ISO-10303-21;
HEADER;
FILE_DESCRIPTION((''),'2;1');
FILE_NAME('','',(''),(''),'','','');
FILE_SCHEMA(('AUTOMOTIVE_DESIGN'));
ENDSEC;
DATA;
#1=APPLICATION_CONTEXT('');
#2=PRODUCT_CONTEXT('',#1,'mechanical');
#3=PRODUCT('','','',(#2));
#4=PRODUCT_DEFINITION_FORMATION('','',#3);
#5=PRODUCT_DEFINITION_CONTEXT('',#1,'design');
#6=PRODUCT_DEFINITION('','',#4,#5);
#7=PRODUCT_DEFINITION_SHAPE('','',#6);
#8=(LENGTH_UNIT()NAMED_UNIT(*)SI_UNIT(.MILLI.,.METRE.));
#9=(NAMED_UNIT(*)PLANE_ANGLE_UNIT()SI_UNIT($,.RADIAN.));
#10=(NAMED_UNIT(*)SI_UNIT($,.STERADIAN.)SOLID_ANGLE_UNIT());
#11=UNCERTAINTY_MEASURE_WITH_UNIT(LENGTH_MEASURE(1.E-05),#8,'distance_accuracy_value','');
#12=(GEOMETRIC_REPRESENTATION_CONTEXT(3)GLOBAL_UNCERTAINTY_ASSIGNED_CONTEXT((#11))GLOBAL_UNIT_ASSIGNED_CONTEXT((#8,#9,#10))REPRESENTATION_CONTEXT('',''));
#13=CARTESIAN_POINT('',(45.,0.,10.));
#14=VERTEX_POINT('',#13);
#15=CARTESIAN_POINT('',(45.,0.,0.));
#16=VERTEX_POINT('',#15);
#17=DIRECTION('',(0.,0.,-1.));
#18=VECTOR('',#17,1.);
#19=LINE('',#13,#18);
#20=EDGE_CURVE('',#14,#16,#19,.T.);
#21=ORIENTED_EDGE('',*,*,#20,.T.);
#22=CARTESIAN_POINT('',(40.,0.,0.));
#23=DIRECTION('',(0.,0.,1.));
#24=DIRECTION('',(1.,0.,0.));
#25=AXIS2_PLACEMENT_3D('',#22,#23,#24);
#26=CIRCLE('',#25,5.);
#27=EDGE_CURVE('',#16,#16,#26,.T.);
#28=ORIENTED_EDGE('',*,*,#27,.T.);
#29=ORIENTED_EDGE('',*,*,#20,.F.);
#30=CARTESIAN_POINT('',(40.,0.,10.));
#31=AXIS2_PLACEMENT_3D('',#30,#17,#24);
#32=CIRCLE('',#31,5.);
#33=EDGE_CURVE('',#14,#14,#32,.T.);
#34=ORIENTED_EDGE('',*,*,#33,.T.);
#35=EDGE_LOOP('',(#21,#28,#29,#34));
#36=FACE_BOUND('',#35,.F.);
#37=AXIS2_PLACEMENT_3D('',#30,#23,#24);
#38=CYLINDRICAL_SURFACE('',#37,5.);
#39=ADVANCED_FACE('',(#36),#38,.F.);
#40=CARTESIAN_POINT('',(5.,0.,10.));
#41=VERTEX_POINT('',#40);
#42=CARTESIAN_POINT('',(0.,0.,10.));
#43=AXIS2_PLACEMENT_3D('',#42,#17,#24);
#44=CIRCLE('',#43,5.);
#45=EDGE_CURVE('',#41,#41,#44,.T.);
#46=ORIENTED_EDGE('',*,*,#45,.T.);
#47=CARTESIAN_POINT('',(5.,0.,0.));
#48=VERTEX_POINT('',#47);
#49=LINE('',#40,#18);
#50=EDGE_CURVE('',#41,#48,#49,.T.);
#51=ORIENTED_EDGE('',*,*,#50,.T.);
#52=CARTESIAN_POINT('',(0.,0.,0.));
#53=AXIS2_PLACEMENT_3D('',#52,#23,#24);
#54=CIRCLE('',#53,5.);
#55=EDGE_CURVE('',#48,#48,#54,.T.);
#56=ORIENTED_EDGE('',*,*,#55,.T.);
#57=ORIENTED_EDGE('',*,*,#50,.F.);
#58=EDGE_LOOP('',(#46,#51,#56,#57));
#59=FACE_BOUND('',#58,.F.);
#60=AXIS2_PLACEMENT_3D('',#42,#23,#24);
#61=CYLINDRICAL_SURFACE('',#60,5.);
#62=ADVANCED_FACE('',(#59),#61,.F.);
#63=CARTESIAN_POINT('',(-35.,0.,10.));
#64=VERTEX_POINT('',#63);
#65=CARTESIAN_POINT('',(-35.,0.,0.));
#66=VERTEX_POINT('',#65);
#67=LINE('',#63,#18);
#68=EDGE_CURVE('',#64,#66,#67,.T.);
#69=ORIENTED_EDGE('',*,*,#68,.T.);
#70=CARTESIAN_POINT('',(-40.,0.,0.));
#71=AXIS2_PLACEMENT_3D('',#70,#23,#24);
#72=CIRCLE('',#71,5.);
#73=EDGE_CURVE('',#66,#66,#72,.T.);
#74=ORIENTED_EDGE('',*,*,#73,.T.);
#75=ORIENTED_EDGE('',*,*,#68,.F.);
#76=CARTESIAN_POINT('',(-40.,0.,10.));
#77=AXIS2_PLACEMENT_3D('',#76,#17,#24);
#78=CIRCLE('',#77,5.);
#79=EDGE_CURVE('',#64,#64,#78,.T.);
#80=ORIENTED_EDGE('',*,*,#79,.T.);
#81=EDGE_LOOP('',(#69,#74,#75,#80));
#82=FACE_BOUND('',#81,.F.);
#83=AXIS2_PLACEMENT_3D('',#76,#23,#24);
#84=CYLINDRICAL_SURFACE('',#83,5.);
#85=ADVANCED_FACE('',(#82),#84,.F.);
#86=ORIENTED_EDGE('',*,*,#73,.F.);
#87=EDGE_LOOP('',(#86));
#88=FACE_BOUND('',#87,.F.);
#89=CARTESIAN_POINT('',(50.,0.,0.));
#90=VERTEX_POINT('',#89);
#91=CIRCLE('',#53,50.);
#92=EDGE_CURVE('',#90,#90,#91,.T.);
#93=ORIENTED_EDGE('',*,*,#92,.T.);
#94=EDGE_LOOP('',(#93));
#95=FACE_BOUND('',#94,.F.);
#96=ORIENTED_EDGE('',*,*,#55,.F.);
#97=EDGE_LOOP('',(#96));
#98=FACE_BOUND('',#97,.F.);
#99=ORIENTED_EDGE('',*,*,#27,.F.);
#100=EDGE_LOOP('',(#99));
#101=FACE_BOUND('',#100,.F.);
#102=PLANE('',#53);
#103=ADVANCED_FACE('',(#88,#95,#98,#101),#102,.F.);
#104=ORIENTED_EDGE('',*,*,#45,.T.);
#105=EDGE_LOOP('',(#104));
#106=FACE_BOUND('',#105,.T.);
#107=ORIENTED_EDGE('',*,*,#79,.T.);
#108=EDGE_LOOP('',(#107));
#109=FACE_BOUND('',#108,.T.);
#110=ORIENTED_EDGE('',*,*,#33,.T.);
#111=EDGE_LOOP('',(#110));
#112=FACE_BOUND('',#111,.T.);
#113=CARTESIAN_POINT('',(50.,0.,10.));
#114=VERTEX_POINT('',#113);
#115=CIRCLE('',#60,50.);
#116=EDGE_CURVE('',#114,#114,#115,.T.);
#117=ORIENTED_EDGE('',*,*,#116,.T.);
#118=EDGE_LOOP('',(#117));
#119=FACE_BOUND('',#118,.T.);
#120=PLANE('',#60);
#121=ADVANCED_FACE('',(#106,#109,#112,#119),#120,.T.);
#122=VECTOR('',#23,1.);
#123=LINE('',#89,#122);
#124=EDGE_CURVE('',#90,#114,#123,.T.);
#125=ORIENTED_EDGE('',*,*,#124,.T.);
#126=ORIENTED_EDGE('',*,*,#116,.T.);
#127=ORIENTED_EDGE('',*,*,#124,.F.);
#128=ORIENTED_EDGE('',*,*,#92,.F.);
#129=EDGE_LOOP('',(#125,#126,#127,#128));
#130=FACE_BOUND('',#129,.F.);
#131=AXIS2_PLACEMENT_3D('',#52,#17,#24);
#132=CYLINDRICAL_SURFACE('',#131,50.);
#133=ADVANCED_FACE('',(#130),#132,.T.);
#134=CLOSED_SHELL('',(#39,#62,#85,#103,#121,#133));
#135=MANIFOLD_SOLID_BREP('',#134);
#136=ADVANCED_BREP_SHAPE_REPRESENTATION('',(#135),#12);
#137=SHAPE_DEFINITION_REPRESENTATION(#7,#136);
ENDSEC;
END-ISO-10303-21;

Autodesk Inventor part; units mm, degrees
ref_plane "YZ Plane" through (0, 0, 0) normal (1, 0, 0) x (0, 1, 0)
ref_plane "XZ Plane" through (0, 0, 0) normal (0, 1, 0) x (-1, 0, 0)
ref_plane "XY Plane" through (0, 0, 0) normal (0, 0, 1) x (1, 0, 0)
sketch "Эскиз1" plane through (0, 0, 0) normal (0, 0, 1) x (1, 0, 0)
  circle A0 centre (0, 0) radius 50
  dimension "d0" = 100
extrude "Выдавливание1" add sketch "Эскиз1" along normal blind 10
sketch "Эскиз3" plane through (0, 0, 10) normal (0, 0, 1) x (1, 0, 0)
  line L0 (-70, 0) -> (70, 0) projected
  circle A0 centre (0, 0) radius 5
  circle A1 centre (-40, 0) radius 5
  circle A2 centre (40, 0) radius 5
  line L1 (0, -70) -> (0, 70) projected
  dimension "d7" = 40
  dimension "d8" = 10
extrude "Выдавливание3" cut sketch "Эскиз3" against normal through all
properties part number "кривошип_v2"
